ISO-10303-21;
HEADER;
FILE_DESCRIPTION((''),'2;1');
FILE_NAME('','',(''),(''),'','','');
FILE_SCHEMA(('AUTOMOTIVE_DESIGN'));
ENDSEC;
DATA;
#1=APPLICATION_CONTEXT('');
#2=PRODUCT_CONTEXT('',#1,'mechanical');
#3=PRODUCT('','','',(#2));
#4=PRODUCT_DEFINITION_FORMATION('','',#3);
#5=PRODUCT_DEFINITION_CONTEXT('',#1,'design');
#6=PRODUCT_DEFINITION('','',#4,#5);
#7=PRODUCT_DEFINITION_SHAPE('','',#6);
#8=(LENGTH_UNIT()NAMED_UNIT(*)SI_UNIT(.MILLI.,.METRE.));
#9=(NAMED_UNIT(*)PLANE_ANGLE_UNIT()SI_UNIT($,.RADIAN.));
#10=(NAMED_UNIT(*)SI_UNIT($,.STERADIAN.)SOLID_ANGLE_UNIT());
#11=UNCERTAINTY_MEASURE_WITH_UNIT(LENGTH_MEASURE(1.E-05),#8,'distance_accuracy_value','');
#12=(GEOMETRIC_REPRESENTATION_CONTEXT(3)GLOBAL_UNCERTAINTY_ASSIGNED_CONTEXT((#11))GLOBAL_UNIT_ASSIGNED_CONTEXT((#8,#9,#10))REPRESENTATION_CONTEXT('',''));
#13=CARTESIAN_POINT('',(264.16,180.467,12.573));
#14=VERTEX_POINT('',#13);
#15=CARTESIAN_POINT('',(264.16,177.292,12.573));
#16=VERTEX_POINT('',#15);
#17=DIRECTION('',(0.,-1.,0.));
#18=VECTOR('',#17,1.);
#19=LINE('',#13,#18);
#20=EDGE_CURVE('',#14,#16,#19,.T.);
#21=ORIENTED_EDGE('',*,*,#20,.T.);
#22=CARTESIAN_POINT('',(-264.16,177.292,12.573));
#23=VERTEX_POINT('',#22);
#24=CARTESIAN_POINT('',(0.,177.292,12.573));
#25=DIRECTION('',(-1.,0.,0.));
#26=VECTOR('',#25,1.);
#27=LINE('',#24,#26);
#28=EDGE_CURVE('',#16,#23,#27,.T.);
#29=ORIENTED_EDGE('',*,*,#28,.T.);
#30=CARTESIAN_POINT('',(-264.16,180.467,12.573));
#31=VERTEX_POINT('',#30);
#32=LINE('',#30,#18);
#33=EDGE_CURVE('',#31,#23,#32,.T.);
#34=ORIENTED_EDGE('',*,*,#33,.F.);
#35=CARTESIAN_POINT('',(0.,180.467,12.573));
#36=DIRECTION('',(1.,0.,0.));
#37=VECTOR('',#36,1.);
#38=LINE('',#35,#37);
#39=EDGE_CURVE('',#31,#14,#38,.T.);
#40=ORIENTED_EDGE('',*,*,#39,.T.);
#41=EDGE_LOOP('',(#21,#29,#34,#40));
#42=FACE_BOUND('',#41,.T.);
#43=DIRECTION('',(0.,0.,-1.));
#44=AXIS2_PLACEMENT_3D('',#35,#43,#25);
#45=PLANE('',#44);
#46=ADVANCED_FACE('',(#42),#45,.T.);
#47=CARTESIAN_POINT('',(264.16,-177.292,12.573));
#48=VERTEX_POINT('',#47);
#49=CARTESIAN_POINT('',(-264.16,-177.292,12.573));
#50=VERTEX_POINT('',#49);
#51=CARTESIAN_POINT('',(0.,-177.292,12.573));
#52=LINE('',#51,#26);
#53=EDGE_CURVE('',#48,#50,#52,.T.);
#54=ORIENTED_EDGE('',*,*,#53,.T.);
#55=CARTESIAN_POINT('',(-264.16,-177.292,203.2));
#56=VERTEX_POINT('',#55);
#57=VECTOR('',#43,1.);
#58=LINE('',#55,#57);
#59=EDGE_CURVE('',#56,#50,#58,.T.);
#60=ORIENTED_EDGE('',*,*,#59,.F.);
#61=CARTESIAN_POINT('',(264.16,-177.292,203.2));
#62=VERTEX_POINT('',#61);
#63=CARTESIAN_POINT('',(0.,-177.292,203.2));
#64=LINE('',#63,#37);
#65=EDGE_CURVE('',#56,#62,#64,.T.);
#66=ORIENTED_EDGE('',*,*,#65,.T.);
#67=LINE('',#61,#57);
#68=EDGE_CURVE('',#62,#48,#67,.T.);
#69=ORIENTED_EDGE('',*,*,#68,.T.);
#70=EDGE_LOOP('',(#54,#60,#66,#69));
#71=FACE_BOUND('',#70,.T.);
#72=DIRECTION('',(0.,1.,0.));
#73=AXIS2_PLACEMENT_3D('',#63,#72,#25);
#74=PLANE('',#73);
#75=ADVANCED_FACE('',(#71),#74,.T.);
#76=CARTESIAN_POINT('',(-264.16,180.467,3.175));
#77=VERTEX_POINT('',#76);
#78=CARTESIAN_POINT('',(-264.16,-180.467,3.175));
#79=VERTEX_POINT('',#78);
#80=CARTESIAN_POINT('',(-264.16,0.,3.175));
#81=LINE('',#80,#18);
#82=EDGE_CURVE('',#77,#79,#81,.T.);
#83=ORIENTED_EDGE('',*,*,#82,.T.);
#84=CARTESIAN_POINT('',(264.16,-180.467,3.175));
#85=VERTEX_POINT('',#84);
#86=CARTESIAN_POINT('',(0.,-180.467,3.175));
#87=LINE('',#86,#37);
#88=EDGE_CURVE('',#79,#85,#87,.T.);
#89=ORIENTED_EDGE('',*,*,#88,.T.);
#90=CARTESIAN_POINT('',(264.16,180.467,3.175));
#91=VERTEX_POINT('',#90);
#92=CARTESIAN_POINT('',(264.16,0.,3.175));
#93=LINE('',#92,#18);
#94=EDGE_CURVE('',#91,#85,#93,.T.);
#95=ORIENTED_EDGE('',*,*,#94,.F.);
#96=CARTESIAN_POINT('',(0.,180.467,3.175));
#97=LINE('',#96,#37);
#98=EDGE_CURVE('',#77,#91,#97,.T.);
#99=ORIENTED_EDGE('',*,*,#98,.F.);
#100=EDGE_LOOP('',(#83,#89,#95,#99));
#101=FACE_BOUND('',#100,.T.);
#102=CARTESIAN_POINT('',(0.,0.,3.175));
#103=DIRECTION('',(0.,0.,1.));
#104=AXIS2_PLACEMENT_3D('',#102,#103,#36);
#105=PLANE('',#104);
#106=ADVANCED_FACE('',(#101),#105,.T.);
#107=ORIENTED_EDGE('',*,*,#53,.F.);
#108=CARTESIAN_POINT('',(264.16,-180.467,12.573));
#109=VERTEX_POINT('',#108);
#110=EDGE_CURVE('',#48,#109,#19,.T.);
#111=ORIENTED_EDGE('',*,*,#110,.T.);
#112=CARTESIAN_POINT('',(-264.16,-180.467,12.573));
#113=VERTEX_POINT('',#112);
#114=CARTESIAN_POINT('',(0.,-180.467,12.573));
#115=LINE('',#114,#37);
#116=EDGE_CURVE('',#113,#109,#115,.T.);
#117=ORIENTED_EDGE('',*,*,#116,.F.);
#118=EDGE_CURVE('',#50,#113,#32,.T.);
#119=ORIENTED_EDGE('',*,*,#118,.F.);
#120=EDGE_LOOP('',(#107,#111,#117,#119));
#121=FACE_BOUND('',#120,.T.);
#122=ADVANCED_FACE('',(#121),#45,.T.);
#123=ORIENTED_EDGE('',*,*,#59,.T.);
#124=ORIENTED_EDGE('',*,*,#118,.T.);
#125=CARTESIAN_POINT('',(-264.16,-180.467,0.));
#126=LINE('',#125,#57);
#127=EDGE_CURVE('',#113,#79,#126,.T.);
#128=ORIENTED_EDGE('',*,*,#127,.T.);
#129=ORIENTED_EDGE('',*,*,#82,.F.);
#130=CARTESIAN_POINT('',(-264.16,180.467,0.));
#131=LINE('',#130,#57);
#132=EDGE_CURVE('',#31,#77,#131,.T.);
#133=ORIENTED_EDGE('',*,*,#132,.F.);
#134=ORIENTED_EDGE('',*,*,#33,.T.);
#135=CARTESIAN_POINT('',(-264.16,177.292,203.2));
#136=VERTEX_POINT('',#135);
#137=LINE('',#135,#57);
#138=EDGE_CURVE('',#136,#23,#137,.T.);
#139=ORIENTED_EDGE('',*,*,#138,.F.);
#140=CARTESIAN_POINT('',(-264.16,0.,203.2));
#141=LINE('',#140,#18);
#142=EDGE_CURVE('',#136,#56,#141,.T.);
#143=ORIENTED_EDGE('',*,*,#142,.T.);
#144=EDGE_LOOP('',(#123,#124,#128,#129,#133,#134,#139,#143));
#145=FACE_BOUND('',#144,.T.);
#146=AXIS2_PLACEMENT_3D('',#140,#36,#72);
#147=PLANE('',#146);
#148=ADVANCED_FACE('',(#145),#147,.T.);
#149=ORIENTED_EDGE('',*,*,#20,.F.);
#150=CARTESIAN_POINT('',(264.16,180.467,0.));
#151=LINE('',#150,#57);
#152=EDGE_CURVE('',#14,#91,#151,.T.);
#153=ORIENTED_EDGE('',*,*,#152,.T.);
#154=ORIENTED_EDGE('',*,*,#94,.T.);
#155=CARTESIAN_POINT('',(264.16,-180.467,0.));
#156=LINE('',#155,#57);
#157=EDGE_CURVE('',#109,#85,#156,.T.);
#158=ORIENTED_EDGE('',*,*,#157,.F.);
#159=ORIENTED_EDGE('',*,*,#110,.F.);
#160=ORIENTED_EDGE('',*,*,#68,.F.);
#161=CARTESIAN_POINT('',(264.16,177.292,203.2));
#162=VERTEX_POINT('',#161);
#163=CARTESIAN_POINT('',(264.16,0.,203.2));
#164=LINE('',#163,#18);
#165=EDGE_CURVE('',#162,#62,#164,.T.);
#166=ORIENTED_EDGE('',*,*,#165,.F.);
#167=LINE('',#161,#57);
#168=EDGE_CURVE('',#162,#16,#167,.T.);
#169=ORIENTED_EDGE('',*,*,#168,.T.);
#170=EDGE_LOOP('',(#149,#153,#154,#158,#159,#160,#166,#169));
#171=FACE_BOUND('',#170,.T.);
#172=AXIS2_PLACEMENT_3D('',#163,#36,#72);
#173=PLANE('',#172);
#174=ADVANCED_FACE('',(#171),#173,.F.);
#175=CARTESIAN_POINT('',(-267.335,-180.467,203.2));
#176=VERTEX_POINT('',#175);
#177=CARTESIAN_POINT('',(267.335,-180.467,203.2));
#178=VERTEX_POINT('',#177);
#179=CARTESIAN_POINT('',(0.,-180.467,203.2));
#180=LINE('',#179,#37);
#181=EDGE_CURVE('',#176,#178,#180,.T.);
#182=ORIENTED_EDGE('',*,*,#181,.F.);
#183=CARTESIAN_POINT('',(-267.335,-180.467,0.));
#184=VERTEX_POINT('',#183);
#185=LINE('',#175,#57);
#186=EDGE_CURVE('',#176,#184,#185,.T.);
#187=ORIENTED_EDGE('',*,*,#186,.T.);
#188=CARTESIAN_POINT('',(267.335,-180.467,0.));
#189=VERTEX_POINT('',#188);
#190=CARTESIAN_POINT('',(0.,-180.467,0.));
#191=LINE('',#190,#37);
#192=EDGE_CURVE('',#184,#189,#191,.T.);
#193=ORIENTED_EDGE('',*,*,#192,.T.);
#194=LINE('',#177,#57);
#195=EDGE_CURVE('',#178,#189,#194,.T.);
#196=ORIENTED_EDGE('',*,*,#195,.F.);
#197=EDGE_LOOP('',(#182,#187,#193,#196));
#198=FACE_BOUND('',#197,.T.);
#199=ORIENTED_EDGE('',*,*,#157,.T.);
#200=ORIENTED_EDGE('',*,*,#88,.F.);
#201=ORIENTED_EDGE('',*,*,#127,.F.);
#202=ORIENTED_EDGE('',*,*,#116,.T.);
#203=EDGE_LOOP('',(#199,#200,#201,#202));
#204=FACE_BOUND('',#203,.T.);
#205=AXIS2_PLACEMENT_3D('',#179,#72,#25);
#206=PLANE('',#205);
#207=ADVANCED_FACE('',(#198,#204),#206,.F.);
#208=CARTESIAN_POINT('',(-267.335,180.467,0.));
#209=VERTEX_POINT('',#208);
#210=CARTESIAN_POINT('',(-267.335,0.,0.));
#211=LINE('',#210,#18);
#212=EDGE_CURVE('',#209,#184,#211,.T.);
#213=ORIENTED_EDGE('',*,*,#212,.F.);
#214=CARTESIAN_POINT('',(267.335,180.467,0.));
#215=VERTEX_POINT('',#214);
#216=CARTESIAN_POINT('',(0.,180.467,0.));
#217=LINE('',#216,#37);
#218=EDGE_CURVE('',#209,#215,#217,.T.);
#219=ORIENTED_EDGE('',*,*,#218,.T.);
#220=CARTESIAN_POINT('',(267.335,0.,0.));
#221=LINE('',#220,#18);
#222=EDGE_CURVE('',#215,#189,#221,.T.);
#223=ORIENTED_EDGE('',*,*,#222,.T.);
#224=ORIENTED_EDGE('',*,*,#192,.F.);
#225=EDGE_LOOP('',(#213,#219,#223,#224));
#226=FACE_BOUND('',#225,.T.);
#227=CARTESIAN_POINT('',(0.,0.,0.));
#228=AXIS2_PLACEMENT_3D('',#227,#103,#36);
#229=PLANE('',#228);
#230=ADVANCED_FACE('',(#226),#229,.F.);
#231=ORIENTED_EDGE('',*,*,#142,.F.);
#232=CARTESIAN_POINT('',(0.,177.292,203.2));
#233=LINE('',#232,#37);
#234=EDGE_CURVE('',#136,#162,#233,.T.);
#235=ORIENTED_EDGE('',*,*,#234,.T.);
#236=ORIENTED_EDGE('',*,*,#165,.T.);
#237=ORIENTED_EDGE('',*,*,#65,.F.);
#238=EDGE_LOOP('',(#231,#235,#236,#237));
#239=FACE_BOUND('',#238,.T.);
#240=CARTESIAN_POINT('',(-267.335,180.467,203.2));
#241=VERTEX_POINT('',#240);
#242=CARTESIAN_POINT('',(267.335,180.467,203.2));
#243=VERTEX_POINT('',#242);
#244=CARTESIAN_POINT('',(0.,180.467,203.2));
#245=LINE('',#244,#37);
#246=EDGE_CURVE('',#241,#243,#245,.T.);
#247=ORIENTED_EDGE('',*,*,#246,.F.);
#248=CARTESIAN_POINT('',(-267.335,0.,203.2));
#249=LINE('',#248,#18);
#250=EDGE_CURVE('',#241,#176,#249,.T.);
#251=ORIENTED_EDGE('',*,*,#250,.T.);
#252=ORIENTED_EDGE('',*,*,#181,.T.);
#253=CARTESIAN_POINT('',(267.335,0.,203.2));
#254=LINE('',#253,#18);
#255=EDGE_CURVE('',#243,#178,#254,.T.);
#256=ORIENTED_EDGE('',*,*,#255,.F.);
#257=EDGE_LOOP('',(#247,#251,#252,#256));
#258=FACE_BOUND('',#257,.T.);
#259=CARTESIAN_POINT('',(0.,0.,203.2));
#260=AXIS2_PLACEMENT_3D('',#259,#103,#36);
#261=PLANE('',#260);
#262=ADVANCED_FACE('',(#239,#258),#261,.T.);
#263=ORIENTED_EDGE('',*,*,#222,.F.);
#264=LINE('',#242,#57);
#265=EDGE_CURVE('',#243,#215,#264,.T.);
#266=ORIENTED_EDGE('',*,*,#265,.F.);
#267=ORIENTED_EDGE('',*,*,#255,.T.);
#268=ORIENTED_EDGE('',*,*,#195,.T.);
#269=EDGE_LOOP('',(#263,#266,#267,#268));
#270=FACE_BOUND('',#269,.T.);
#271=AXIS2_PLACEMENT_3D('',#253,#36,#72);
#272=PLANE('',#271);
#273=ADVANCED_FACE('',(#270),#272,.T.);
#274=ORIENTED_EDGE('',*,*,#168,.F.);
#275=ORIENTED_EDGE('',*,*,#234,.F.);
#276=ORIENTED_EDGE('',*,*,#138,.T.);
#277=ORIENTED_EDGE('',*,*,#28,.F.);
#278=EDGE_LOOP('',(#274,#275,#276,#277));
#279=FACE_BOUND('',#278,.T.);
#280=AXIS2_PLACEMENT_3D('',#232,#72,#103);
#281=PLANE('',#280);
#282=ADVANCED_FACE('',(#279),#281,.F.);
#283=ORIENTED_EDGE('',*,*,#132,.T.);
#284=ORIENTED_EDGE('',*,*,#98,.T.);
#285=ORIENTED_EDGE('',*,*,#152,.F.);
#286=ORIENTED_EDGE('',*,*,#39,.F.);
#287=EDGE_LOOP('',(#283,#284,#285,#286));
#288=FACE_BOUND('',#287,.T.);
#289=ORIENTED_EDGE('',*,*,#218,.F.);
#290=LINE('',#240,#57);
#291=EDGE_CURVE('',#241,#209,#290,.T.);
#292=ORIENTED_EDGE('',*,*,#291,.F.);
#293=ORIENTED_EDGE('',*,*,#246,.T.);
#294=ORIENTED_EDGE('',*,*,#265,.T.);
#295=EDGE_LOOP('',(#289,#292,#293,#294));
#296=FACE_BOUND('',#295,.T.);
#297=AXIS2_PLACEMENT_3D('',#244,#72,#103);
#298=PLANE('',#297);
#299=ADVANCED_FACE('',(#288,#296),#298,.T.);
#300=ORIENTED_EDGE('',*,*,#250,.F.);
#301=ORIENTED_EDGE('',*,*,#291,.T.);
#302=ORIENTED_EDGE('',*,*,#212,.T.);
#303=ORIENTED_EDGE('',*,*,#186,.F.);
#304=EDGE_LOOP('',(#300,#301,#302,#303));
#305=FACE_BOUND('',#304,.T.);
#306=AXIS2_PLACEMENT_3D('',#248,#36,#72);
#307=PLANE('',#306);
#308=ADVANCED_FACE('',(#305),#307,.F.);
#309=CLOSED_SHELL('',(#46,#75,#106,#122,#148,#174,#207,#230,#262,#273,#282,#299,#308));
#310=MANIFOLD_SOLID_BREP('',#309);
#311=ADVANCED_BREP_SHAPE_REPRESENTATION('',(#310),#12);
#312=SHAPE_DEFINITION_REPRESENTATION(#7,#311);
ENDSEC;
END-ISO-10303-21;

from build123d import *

# Parameters (mm, degrees)
SKETCH1_W           = 534.67
SKETCH1_H           = 360.934
SKETCH1_W_2         = 528.32
SKETCH1_H_2         = 354.584
BOSS_EXTRUDE1_DEPTH = 203.2
SHELL1_T            = -3.175
SKETCH2_W           = 528.32
SKETCH2_H           = 9.398
CUT_EXTRUDE1_DEPTH  = 493.982347129


with BuildPart() as part:
    # Sketch1 → Boss-Extrude1 (new body)
    # profile 1 of 2: a face of its own
    with BuildSketch(Plane.XY):
        Rectangle(SKETCH1_W, SKETCH1_H)
        Rectangle(SKETCH1_W_2, SKETCH1_H_2, mode=Mode.SUBTRACT)
    # profile 2 of 2: a face of its own
    with BuildSketch(Plane.XY):
        Rectangle(SKETCH1_W_2, SKETCH1_H_2)
    extrude(amount=BOSS_EXTRUDE1_DEPTH)

    # Shell1
    shell1_openings = [part.faces().sort_by_distance(p)[0] for p in [
        (0, 0, 203.2),
    ]]
    offset(amount=SHELL1_T, openings=shell1_openings, kind=Kind.INTERSECTION)

    # Sketch2 → Cut-Extrude1 (cut, through all)
    with BuildSketch(Plane.XZ.offset(180.467)):
        with Locations((0, 7.874)):
            Rectangle(SKETCH2_W, SKETCH2_H)
    extrude(amount=-CUT_EXTRUDE1_DEPTH, mode=Mode.SUBTRACT)


solid = part.part
